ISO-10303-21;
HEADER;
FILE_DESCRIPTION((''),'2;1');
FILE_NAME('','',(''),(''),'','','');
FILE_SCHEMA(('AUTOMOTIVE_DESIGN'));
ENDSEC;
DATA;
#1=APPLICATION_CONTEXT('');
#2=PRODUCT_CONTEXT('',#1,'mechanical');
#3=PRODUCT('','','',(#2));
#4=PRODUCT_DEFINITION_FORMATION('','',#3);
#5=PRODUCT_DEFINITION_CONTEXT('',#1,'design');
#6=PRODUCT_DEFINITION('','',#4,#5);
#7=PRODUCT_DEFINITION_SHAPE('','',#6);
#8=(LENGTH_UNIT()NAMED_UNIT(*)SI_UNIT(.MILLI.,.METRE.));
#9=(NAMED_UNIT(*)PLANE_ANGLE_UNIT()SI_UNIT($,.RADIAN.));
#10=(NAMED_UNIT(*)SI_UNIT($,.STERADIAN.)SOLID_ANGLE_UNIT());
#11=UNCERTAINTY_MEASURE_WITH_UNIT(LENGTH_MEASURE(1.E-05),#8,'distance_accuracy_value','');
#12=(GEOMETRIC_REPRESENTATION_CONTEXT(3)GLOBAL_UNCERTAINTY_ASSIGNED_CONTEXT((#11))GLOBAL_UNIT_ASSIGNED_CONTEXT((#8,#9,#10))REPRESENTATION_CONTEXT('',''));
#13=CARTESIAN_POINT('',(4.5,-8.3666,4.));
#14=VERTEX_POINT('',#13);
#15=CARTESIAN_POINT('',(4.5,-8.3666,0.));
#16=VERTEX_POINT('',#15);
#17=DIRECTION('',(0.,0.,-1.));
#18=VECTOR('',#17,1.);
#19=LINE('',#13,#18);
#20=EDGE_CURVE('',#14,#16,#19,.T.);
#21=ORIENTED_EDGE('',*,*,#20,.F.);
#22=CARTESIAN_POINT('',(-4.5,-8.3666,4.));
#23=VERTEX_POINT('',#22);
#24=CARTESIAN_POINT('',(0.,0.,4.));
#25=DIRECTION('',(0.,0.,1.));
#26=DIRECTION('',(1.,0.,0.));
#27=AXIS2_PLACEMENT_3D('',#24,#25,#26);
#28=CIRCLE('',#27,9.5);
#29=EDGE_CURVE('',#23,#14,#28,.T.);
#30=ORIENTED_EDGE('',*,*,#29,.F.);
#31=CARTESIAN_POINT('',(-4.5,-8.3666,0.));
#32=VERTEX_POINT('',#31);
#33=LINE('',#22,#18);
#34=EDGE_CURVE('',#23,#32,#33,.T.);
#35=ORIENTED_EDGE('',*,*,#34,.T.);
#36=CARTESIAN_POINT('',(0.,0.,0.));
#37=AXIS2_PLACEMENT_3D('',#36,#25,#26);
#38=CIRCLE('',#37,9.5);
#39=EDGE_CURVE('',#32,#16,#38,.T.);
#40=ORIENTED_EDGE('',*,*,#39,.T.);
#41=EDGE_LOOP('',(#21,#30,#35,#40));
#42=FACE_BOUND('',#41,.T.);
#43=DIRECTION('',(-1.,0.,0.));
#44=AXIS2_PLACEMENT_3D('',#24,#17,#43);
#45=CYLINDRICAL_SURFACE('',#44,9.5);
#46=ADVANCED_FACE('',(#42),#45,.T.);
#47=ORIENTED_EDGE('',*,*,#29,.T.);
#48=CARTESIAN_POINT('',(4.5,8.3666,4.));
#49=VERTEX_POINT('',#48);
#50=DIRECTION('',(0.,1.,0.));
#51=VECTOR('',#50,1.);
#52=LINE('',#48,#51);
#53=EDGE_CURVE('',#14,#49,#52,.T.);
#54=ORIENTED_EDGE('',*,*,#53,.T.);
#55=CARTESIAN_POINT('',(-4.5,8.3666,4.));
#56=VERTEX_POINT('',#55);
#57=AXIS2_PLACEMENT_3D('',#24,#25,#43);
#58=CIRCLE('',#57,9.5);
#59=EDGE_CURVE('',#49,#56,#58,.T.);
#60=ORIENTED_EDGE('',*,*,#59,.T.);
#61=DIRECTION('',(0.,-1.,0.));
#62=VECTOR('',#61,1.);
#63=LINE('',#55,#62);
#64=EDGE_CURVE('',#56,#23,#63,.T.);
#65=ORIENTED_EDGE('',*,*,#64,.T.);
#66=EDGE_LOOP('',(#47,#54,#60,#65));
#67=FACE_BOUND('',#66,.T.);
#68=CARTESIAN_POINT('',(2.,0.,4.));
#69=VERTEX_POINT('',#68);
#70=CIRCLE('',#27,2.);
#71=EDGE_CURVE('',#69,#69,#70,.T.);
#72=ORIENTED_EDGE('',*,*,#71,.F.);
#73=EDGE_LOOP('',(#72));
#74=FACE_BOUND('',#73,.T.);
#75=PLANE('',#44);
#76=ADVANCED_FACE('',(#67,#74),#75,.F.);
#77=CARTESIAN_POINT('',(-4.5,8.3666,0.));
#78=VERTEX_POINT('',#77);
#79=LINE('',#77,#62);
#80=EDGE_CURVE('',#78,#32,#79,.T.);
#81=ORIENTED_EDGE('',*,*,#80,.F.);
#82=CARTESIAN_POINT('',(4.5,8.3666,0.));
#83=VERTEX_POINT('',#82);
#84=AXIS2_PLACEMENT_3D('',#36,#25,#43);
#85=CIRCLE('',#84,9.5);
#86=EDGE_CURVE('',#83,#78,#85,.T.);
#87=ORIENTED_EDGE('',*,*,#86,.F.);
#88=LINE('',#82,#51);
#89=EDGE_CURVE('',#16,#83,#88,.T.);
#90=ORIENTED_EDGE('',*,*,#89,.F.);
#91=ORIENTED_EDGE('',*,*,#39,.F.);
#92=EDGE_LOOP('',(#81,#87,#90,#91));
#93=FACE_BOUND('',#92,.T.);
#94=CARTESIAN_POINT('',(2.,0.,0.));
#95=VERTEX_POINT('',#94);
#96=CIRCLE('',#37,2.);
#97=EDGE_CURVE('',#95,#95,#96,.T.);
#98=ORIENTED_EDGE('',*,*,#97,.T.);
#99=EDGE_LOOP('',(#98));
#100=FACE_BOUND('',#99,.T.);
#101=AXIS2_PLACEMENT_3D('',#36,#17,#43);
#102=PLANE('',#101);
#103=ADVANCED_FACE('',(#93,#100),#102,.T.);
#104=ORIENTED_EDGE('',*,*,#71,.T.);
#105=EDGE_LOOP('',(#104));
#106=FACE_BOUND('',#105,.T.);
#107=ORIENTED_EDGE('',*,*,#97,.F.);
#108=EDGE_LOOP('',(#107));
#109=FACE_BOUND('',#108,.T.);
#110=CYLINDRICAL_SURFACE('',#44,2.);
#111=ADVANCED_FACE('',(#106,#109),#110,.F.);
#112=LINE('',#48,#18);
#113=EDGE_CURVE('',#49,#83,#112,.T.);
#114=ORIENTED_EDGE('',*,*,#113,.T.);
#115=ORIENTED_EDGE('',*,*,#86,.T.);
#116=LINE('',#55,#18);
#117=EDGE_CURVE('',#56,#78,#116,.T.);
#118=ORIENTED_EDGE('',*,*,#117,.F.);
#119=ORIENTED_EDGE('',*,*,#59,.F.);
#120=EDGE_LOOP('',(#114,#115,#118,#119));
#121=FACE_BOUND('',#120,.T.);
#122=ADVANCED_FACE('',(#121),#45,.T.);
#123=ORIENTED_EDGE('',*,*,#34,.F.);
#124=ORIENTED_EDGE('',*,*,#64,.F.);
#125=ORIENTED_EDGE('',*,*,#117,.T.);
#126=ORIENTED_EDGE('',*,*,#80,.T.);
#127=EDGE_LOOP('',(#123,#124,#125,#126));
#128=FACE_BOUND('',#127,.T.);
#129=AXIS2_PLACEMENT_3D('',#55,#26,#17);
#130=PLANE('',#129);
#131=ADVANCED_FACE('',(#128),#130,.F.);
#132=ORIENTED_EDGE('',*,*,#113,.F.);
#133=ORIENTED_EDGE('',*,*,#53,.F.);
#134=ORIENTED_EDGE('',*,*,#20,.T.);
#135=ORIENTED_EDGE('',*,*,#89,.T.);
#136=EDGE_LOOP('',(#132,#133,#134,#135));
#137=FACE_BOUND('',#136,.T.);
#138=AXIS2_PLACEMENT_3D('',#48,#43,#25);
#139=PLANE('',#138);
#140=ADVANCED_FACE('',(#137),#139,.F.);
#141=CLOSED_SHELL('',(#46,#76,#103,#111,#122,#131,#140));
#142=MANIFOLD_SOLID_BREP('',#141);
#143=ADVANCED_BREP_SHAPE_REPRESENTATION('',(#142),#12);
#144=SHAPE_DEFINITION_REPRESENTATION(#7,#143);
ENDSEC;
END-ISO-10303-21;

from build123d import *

# Parameters (mm, degrees)
SKETCH1_R           = 2
BOSS_EXTRUDE1_DEPTH = 4


with BuildPart() as part:
    # Sketch1 → Boss-Extrude1 (new body)
    with BuildSketch(Plane.XY):
        with BuildLine():
            Line((-4.5, 8.366600265), (-4.5, -8.366600265))
            ThreePointArc((-4.5, -8.366600265), (0, -9.5), (4.5, -8.366600265))
            Line((4.5, -8.366600265), (4.5, 8.366600265))
            ThreePointArc((4.5, 8.366600265), (0, 9.5), (-4.5, 8.366600265))
        make_face()
        Circle(SKETCH1_R, mode=Mode.SUBTRACT)
    extrude(amount=BOSS_EXTRUDE1_DEPTH)


solid = part.part
